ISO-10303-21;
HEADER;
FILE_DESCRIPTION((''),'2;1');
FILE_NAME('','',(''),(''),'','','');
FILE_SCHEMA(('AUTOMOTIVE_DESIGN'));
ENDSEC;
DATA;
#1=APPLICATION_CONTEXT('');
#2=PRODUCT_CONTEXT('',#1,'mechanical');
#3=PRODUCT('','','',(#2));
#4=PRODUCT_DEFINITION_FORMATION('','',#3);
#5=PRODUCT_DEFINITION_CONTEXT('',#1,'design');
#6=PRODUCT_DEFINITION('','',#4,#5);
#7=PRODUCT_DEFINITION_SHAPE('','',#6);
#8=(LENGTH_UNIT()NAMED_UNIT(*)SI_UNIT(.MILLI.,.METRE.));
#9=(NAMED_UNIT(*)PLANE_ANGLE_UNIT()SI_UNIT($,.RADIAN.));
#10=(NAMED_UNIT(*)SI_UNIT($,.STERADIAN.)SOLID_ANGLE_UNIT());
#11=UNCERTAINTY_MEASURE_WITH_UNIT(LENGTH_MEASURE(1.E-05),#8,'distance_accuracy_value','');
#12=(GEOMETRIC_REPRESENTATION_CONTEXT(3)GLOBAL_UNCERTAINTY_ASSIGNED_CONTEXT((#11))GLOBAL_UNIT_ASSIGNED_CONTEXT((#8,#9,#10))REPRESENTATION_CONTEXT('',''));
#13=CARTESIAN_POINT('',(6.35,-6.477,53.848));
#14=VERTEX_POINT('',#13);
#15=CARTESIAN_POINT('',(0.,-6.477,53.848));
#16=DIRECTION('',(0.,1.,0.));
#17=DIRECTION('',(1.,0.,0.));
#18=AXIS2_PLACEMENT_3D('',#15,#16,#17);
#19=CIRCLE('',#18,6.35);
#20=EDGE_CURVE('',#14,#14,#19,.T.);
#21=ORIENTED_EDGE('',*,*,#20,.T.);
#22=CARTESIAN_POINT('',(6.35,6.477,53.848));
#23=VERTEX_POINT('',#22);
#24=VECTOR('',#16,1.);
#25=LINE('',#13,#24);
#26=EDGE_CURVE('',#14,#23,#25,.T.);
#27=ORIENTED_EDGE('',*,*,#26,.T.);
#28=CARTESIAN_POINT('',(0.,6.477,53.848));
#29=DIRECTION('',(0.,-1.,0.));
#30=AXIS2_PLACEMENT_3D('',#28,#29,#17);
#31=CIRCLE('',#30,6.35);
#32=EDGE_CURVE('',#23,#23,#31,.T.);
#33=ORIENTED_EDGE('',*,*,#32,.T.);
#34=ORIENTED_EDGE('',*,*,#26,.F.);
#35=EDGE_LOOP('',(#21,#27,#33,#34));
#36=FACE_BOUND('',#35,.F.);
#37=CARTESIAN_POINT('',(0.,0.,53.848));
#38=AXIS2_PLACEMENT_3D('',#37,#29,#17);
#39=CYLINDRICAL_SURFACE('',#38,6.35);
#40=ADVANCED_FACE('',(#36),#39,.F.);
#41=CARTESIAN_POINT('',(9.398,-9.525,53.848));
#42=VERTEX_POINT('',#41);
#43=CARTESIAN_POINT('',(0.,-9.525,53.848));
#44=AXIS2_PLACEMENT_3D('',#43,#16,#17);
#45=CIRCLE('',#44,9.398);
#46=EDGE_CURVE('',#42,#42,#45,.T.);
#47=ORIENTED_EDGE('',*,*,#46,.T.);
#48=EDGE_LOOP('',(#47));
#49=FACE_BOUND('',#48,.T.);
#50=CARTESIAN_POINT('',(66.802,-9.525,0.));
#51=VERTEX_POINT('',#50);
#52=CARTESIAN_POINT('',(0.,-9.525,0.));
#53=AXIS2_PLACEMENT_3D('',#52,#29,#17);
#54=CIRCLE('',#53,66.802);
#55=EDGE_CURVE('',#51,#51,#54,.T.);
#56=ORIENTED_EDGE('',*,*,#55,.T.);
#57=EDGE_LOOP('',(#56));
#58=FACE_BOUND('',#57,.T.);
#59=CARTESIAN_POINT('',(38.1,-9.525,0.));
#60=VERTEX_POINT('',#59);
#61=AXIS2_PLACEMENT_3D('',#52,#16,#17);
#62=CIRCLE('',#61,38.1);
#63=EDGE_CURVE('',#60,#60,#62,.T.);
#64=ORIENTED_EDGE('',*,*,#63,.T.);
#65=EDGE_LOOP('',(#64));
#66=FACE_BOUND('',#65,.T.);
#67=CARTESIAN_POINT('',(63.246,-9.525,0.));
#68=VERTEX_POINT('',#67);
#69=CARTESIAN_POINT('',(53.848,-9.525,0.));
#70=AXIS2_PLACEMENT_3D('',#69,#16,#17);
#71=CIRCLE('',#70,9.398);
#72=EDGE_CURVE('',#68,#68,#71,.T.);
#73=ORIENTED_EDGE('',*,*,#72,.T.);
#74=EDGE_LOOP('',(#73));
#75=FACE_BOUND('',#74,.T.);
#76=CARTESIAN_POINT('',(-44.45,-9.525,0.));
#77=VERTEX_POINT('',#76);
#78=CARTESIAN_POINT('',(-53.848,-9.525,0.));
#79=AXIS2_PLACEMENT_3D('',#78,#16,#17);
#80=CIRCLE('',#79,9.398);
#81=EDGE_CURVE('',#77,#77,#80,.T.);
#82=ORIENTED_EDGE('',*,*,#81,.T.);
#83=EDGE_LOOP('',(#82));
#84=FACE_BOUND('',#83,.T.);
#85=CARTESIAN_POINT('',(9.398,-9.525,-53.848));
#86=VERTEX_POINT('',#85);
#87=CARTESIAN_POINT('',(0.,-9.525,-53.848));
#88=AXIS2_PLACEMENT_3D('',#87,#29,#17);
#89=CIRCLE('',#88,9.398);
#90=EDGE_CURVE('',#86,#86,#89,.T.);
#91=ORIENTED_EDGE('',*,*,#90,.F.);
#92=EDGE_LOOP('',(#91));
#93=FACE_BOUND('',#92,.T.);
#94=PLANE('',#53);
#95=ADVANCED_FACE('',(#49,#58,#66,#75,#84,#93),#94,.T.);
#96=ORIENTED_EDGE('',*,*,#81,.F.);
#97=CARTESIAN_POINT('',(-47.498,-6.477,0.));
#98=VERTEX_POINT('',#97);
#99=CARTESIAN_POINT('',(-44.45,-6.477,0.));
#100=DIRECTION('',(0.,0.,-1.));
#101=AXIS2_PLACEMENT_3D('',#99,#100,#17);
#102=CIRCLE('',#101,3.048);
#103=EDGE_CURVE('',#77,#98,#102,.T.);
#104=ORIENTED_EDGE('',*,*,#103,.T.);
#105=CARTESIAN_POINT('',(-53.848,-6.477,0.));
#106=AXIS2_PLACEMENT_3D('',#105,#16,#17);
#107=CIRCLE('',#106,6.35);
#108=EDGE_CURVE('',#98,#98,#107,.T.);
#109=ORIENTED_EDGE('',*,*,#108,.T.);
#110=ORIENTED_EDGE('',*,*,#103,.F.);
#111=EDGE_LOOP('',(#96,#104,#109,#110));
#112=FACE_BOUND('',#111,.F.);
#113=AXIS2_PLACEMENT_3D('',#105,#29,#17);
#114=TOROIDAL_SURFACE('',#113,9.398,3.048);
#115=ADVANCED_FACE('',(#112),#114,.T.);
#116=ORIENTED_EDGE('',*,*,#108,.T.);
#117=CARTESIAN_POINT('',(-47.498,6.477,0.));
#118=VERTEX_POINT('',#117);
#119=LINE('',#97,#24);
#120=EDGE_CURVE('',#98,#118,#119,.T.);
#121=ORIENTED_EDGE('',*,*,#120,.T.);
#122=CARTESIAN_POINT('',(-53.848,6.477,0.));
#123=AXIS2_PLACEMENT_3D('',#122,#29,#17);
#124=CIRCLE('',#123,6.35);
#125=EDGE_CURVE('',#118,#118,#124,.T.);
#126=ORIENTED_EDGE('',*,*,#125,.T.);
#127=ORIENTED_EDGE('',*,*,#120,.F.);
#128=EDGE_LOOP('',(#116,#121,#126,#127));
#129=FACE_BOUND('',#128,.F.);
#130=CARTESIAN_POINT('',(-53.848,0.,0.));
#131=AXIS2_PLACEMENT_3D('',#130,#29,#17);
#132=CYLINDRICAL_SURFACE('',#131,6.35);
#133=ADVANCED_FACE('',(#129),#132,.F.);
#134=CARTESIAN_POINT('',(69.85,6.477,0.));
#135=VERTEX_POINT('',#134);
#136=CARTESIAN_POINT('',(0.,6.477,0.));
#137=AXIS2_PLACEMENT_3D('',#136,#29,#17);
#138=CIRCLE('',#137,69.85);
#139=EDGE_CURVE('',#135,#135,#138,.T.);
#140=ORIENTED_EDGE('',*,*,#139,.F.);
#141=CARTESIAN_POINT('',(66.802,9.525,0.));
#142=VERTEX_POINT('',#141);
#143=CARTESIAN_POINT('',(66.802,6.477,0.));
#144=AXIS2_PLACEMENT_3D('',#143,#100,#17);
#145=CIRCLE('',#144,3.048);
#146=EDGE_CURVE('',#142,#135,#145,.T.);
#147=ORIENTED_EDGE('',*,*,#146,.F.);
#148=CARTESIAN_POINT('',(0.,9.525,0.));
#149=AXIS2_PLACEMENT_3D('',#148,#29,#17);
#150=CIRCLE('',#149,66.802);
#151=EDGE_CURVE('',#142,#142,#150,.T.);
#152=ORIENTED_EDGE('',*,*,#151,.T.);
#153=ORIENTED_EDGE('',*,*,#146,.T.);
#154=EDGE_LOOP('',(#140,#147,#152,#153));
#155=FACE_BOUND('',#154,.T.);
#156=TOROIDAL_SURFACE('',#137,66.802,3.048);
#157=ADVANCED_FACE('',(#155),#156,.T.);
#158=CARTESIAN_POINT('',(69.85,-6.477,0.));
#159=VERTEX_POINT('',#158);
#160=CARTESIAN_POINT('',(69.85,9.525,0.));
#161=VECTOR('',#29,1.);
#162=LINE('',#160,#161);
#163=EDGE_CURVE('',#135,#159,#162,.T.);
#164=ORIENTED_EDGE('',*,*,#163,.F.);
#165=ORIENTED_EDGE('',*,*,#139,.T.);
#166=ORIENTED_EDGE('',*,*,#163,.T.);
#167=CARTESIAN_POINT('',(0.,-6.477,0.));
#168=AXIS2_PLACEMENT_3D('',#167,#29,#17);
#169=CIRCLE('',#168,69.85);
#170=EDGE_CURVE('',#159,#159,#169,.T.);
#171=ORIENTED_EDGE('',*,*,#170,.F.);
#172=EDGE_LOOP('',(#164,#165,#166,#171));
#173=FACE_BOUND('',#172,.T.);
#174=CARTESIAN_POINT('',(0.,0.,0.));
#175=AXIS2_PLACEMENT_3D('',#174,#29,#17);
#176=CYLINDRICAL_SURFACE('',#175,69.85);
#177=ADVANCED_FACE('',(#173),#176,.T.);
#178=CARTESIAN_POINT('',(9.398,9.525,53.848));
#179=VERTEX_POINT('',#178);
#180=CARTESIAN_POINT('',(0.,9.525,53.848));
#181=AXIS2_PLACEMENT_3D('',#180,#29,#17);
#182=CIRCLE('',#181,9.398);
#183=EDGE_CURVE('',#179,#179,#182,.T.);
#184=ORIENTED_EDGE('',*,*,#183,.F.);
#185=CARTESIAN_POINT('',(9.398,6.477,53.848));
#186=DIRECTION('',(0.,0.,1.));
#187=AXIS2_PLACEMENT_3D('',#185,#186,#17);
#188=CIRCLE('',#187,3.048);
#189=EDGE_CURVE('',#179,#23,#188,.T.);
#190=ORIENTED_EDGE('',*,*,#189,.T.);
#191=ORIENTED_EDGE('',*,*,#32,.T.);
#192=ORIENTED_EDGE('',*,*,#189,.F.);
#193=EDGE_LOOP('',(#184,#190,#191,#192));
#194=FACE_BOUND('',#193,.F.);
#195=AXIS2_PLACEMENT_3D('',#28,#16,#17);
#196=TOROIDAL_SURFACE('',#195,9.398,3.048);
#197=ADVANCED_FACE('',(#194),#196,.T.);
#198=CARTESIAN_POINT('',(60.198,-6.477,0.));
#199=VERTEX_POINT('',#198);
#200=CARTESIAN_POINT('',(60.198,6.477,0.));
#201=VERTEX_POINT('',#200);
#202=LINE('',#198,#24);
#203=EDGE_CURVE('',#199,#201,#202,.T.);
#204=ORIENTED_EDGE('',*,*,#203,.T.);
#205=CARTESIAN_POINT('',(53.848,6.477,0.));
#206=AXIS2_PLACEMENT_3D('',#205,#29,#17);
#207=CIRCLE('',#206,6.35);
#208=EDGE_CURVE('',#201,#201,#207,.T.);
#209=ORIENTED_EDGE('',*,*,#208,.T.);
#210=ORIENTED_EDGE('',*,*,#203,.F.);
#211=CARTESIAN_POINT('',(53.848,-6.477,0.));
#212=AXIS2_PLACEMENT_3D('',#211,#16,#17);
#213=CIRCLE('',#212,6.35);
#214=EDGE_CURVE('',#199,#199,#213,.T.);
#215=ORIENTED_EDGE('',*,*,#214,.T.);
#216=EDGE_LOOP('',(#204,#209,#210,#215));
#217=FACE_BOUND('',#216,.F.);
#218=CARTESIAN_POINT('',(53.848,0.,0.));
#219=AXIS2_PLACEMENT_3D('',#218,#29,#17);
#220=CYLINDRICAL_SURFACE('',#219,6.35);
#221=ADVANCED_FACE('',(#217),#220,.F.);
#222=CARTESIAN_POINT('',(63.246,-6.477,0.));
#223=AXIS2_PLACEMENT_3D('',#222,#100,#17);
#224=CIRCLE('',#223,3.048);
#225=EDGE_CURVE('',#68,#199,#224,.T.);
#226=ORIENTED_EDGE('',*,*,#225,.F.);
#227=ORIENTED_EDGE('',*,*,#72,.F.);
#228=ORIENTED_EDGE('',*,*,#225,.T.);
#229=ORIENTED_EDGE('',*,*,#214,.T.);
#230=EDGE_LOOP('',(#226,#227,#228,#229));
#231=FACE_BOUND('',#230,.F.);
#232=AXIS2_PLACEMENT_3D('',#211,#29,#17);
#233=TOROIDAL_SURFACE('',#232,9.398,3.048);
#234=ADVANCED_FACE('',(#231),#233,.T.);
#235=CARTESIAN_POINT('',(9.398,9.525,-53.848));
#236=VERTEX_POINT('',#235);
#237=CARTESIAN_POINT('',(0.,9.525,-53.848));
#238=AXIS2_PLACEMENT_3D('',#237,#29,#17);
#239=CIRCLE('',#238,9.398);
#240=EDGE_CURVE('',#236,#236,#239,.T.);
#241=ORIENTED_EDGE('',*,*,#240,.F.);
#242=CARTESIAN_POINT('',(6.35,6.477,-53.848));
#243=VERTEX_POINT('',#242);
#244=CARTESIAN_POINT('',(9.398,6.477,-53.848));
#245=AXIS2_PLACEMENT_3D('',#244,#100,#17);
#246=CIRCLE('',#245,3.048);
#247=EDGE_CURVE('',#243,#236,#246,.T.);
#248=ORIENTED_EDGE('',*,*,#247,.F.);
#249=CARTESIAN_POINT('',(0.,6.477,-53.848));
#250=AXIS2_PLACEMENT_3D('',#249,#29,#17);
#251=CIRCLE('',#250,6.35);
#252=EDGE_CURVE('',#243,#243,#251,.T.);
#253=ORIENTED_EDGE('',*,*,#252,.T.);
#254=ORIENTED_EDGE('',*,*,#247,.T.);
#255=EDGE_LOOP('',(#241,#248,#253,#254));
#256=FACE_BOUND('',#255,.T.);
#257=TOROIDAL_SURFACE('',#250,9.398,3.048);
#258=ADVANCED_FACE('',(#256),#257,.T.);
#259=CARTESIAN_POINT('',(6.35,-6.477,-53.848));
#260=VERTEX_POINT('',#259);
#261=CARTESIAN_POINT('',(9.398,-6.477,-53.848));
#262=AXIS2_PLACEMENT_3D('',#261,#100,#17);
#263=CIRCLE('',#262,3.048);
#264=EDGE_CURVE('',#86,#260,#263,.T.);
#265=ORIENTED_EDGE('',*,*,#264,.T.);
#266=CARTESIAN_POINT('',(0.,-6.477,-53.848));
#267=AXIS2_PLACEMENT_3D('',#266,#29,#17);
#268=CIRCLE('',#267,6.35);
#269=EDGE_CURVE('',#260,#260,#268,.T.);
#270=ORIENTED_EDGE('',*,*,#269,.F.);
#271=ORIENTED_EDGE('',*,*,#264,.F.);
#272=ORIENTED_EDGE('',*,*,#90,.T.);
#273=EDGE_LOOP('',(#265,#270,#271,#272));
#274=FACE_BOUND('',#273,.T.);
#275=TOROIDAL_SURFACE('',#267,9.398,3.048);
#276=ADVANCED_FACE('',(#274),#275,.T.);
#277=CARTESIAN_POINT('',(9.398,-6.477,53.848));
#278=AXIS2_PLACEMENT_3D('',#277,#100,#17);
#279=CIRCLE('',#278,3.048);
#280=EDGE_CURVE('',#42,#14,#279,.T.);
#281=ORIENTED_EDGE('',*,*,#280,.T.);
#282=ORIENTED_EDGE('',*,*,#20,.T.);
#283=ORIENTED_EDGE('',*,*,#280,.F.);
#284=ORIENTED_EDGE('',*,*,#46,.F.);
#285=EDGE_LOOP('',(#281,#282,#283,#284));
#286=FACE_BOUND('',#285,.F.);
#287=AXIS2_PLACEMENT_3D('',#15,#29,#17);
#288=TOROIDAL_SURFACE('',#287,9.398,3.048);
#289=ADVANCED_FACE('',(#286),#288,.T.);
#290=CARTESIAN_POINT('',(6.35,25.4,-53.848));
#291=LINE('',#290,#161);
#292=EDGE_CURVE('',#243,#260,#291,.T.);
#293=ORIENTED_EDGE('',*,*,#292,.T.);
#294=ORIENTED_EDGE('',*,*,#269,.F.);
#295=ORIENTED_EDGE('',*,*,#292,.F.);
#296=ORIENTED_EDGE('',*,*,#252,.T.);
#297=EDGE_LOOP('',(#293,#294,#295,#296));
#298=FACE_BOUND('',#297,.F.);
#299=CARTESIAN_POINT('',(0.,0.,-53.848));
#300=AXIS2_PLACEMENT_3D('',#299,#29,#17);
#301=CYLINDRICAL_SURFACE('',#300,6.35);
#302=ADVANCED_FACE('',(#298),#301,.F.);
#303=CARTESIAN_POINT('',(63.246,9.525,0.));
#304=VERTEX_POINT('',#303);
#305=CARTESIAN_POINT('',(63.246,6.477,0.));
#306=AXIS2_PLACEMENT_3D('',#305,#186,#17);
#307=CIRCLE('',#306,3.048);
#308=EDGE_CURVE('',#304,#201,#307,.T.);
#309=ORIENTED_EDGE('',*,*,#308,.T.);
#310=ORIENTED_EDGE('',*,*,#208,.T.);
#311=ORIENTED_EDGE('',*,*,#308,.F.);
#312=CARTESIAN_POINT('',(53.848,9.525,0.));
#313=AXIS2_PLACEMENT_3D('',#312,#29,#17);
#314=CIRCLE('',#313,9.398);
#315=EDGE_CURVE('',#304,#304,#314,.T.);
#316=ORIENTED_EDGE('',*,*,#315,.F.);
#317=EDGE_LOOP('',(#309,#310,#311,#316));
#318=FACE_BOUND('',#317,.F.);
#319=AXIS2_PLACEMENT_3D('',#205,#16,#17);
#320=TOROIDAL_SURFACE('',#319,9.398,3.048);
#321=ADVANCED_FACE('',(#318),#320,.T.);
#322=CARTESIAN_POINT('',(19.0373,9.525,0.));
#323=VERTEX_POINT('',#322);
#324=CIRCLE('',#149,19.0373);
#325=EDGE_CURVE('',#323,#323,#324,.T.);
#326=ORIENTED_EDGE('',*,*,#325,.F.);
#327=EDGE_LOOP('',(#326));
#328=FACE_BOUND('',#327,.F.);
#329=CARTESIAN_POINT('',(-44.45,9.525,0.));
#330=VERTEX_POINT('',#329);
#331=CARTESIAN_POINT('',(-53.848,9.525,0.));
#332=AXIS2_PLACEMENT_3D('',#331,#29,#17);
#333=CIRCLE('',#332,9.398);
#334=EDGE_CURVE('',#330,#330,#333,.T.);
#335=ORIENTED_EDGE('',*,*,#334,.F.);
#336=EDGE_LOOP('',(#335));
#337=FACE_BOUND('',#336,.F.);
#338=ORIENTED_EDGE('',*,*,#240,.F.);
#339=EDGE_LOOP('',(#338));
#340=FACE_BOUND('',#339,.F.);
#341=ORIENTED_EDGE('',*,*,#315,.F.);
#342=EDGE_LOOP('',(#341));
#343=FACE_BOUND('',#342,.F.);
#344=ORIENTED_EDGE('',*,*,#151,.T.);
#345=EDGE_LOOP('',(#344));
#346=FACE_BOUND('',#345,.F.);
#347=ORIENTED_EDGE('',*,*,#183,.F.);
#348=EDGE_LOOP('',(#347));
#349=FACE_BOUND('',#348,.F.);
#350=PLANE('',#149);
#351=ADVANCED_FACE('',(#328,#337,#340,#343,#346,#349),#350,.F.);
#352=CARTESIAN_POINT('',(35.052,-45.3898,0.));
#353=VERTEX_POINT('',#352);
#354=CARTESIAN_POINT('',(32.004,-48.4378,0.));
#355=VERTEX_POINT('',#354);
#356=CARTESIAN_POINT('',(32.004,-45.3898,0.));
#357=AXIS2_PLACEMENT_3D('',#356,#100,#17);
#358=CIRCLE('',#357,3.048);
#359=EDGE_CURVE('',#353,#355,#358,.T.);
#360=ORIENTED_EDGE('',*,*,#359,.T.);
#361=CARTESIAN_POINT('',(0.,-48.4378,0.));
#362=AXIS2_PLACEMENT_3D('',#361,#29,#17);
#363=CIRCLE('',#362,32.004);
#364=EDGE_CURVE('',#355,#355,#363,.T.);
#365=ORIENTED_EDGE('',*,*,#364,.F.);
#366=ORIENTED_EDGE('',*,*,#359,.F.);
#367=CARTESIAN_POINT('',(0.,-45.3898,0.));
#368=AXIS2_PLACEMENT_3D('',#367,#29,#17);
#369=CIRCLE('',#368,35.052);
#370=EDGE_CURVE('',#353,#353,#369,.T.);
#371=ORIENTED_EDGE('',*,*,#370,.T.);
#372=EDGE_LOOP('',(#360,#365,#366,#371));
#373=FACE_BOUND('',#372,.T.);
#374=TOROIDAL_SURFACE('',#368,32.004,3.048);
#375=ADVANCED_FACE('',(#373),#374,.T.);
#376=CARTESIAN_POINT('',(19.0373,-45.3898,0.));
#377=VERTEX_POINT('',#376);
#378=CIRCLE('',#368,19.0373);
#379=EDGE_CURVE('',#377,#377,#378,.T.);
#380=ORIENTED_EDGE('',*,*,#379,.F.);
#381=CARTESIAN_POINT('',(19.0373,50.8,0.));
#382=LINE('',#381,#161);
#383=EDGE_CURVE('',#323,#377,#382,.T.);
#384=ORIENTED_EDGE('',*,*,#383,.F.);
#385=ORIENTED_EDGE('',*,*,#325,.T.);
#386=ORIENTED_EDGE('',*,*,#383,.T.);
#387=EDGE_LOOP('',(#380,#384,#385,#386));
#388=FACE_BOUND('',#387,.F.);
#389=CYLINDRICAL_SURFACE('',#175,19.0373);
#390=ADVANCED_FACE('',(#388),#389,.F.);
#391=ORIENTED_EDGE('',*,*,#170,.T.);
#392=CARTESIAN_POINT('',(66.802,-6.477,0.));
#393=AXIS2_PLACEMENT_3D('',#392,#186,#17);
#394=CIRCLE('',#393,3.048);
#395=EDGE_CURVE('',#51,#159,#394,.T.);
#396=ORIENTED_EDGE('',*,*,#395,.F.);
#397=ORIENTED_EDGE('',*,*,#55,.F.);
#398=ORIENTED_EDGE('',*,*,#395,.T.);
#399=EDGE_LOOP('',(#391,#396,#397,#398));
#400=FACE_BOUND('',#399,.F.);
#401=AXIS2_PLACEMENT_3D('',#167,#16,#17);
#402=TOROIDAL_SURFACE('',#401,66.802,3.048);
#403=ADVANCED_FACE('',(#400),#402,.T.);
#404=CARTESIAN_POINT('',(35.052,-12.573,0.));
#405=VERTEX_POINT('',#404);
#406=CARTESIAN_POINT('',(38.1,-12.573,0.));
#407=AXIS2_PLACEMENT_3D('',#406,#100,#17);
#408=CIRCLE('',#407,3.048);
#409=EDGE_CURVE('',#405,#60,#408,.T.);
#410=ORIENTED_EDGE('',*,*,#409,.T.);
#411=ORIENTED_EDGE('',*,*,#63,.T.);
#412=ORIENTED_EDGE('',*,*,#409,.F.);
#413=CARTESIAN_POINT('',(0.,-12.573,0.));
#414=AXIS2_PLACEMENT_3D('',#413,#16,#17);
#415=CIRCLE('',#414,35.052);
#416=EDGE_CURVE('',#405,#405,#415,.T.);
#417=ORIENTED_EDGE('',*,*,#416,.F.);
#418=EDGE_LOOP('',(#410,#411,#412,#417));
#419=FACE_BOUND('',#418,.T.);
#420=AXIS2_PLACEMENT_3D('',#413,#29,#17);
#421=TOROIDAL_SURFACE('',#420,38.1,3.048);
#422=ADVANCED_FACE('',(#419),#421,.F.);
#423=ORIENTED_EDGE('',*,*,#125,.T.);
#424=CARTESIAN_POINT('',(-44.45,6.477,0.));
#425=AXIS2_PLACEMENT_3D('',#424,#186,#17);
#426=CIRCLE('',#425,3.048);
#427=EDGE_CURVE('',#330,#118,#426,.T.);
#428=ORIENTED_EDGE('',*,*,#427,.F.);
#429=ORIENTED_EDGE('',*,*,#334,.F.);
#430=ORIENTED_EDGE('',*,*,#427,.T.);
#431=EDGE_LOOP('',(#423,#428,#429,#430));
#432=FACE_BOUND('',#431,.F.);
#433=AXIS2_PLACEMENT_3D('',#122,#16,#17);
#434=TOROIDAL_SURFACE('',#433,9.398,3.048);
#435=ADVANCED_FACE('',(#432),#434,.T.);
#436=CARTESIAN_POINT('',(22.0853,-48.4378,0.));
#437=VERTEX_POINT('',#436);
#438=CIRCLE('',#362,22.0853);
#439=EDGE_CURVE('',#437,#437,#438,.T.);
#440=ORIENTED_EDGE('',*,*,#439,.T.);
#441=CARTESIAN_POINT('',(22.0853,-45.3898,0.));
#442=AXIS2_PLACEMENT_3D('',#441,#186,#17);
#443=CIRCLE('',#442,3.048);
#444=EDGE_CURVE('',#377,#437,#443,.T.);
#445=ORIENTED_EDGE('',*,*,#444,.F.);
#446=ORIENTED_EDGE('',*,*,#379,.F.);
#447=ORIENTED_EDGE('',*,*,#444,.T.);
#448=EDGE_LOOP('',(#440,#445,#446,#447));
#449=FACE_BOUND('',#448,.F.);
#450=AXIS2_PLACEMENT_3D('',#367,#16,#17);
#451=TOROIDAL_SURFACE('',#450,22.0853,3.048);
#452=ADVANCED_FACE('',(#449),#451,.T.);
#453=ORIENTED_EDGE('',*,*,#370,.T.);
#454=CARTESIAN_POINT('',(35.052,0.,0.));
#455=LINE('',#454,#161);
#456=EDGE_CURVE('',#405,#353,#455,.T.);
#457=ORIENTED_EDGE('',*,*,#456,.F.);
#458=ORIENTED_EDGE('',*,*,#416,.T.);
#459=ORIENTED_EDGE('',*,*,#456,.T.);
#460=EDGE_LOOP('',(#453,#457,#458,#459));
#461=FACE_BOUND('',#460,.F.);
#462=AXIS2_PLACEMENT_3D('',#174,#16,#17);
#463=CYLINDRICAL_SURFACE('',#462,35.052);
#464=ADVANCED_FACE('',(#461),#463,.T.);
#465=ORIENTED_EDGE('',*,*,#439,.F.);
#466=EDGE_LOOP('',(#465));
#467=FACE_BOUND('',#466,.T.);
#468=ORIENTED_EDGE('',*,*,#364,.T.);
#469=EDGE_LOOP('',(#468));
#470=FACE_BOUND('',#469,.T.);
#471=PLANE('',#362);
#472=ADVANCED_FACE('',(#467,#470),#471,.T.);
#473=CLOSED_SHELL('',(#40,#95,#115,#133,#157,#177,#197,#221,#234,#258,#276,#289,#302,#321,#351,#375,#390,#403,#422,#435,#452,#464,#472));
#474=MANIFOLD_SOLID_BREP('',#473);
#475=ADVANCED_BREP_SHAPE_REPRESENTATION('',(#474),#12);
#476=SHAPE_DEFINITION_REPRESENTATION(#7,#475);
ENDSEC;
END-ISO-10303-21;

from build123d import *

# Parameters (mm, degrees)
F0_R          = 69.85
F1_DEPTH      = 9.525
F2_R          = 35.052
F3_DEPTH      = 5.4085
F3_DEPTH_BACK = 48.4378
F4_R          = 3.048
F6_R          = 6.35
F7_DEPTH      = 25.4
F8_R          = 3.048
F9_R          = 19.0373
F10_DEPTH     = 50.8
F11_R         = 3.048
F12_R         = 3.048


with BuildPart() as f1:
    # F0 (on Front) → F1 (new body, symmetric)
    with BuildSketch(Plane.XZ):
        Circle(F0_R)
    extrude(amount=F1_DEPTH, both=True)

    # F2 (on Front) → F3 (join, two sides)
    with BuildSketch(Plane.XZ) as f3_sk:
        Circle(F2_R)
    extrude(amount=-F3_DEPTH)
    extrude(f3_sk.sketch, amount=F3_DEPTH_BACK)

    # F4
    f4_edges = [f1.edges().sort_by_distance(p)[0] for p in [
        (-35.052, -9.525, 0),
    ]]
    fillet(f4_edges, radius=F4_R)

    # F6 (on Front) → F7 (cut, symmetric)
    with BuildSketch(Plane.XZ):
        with Locations((0, 53.848)):
            Circle(F6_R)
        with Locations((53.848, 0)):
            Circle(F6_R)
        with Locations((-53.848, 0)):
            Circle(F6_R)
        with Locations((0, -53.848)):
            Circle(F6_R)
    extrude(amount=F7_DEPTH, both=True, mode=Mode.SUBTRACT)

    # F8
    f8_edges = [f1.edges().sort_by_distance(p)[0] for p in [
        (-60.198, -9.525, 0),
        (-6.35, -9.525, 53.848),
        (47.498, -9.525, 0),
        (-6.35, -9.525, -53.848),
        (47.498, 9.525, 0),
        (-6.35, 9.525, 53.848),
        (-60.198, 9.525, 0),
        (-6.35, 9.525, -53.848),
    ]]
    fillet(f8_edges, radius=F8_R)

    # F9 (on Front) → F10 (cut, symmetric)
    with BuildSketch(Plane.XZ):
        Circle(F9_R)
    extrude(amount=F10_DEPTH, both=True, mode=Mode.SUBTRACT)

    # F11
    f11_edges = [f1.edges().sort_by_distance(p)[0] for p in [
        (-19.0373, -48.4378, 0),
    ]]
    fillet(f11_edges, radius=F11_R)

    # F12
    f12_edges = [f1.edges().sort_by_distance(p)[0] for p in [
        (-35.052, -48.4378, 0),
        (-69.85, -9.525, 0),
        (-69.85, 9.525, 0),
    ]]
    fillet(f12_edges, radius=F12_R)


solid = f1.part
